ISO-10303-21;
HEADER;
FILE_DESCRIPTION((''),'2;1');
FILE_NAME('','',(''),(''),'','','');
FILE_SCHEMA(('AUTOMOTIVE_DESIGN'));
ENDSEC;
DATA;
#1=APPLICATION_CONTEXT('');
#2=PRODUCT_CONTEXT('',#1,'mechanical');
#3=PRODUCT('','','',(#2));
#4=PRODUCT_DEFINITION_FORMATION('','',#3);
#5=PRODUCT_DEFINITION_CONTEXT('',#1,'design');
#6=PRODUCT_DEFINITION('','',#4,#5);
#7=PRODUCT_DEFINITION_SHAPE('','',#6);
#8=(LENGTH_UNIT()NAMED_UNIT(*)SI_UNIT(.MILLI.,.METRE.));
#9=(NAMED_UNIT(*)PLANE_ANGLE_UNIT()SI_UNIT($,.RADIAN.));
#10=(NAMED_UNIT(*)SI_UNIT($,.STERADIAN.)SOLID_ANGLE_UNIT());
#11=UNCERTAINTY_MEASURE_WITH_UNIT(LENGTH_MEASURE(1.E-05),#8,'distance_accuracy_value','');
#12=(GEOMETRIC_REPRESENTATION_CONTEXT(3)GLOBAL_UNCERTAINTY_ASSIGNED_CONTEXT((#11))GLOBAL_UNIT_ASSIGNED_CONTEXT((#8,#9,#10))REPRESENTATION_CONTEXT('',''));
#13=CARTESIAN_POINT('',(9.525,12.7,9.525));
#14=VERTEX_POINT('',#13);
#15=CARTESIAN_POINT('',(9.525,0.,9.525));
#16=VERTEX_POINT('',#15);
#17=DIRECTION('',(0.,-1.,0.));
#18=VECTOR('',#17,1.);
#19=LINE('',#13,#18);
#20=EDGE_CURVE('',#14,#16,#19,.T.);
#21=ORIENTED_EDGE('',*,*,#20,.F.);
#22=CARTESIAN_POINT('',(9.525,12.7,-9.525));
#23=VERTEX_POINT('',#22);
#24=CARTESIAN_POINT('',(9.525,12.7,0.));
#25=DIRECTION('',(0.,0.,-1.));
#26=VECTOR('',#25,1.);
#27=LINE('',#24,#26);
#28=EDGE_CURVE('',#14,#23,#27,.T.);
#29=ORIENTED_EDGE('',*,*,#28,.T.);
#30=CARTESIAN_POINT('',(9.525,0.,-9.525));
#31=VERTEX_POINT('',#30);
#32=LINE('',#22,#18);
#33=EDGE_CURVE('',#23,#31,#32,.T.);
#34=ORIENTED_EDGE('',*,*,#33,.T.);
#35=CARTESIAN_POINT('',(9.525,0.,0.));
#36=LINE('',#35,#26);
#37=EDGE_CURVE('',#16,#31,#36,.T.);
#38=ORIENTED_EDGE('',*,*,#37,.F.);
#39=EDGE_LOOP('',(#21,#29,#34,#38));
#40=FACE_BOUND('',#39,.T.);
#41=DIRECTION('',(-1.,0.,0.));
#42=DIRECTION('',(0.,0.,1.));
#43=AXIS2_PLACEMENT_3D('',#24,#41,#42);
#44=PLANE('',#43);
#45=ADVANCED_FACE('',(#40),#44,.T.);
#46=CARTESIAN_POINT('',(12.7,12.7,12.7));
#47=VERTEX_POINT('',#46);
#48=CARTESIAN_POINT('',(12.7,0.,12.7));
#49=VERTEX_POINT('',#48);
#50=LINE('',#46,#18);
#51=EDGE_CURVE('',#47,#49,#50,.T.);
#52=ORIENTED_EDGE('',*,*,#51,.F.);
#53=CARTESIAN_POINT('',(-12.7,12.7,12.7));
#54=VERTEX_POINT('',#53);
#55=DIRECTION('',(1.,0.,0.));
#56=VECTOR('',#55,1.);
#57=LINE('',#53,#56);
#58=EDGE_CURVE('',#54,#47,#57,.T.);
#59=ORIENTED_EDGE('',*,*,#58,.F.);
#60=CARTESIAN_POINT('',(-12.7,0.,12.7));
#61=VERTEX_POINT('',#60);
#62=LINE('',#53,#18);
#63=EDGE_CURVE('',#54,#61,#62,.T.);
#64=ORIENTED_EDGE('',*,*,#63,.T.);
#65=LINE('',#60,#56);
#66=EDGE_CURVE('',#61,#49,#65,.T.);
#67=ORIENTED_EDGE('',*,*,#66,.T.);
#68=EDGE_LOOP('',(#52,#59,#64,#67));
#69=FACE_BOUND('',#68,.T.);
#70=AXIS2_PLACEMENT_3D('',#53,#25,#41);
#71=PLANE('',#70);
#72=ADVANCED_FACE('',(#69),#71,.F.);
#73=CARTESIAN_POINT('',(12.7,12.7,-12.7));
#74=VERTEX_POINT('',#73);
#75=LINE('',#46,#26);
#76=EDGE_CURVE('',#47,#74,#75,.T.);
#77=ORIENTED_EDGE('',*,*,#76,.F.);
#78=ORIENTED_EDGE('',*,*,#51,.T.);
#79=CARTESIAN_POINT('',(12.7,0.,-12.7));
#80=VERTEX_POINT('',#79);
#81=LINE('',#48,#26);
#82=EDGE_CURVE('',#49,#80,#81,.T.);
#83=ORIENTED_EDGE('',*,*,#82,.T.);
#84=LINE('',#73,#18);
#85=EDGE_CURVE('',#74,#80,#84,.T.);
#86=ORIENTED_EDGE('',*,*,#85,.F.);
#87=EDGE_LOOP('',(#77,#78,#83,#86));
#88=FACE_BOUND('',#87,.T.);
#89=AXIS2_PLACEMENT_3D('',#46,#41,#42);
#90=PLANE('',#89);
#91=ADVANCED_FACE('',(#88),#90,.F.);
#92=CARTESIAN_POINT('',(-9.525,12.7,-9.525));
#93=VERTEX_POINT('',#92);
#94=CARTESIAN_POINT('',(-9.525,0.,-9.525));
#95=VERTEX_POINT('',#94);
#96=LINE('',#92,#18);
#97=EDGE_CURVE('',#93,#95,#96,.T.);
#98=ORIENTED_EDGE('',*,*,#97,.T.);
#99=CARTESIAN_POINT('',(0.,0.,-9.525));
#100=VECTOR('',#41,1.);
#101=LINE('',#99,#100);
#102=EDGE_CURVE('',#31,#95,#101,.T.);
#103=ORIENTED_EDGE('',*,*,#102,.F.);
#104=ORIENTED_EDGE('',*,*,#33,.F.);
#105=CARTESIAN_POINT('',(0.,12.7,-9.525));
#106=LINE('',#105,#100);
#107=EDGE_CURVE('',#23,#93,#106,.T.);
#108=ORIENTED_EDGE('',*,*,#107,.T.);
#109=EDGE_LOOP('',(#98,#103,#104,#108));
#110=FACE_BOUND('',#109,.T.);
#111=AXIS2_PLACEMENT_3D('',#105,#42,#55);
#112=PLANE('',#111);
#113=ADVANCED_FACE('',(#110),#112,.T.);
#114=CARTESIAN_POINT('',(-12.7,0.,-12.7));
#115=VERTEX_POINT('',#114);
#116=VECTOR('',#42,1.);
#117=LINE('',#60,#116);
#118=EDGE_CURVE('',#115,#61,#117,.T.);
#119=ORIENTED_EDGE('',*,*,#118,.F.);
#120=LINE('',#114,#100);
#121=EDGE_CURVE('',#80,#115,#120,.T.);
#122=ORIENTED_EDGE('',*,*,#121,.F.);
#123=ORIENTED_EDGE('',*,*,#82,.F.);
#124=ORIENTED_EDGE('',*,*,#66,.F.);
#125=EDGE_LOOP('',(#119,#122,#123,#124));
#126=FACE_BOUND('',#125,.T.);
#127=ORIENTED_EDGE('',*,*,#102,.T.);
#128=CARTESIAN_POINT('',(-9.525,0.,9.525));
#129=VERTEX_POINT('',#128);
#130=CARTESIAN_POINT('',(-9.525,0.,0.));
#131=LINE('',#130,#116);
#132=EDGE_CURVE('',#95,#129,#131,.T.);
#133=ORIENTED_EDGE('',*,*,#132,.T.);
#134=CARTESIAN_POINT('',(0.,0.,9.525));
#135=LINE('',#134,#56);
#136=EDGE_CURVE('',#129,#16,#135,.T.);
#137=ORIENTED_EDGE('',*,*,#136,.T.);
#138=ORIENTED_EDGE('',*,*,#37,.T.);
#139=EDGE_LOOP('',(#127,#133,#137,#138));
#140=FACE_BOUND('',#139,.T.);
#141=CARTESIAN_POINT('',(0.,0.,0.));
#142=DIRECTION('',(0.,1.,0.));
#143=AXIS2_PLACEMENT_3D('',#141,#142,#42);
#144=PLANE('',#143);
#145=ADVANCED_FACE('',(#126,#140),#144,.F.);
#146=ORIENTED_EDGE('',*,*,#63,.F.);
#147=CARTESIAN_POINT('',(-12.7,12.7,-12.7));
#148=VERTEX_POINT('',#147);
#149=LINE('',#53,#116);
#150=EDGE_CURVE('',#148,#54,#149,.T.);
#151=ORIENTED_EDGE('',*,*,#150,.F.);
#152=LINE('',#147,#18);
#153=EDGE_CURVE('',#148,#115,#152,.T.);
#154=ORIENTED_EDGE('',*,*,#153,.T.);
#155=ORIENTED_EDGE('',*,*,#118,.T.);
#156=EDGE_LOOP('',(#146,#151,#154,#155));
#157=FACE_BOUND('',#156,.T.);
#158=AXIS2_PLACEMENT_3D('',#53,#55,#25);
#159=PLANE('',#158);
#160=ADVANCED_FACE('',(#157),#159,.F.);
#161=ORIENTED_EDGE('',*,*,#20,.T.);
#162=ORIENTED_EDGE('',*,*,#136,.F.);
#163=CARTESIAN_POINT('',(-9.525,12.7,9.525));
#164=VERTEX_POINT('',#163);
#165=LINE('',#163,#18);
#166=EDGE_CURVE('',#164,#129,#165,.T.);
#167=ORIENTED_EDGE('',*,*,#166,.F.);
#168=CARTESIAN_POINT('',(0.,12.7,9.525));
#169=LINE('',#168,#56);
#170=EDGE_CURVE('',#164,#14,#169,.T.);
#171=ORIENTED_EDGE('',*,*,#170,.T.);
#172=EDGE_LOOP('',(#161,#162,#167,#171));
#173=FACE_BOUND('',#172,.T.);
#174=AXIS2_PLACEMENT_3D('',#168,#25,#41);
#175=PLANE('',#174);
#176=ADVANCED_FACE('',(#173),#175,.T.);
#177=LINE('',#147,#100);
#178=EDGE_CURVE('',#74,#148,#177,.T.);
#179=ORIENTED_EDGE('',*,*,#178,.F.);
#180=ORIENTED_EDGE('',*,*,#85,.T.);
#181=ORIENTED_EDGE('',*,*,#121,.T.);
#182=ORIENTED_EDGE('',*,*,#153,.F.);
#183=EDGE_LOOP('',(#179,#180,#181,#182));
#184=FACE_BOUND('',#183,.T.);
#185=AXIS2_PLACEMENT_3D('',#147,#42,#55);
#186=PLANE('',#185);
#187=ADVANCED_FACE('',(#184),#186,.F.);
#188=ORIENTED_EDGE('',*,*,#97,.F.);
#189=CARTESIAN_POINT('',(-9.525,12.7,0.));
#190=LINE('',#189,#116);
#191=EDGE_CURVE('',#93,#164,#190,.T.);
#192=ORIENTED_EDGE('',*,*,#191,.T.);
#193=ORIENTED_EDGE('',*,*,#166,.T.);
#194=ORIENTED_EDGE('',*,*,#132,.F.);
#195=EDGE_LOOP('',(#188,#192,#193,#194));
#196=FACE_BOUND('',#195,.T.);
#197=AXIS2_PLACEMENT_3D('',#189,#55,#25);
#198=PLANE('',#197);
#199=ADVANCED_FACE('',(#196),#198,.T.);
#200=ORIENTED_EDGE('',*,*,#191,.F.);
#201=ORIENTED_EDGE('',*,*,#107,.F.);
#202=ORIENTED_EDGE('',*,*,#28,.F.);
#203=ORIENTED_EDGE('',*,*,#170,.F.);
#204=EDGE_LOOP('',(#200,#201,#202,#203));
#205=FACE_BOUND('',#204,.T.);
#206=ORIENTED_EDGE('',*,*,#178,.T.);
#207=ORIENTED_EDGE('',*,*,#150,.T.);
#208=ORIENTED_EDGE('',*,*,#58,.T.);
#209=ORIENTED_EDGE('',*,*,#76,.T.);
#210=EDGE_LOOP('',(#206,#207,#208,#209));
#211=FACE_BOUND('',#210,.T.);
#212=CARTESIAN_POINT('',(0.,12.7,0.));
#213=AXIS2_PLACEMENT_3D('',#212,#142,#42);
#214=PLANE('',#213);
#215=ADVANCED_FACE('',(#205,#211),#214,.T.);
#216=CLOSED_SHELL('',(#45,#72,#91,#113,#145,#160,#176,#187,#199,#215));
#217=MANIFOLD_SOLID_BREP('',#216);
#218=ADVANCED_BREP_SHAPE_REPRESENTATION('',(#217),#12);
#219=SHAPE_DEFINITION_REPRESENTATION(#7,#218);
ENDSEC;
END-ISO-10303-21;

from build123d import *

# Parameters (mm, degrees)
SKETCH1_W           = 25.4
SKETCH1_H           = 25.4
SKETCH1_W_2         = 19.05
SKETCH1_H_2         = 19.05
EXTRUDE_THIN1_DEPTH = 12.7


with BuildPart() as part:
    # Sketch1 → Extrude-Thin1 (new body)
    with BuildSketch(Plane(origin=(0, 0, 0), x_dir=(1, 0, 0), z_dir=(0, 1, 0))):
        Rectangle(SKETCH1_W, SKETCH1_H)
        Rectangle(SKETCH1_W_2, SKETCH1_H_2, mode=Mode.SUBTRACT)
    extrude(amount=EXTRUDE_THIN1_DEPTH)


solid = part.part
